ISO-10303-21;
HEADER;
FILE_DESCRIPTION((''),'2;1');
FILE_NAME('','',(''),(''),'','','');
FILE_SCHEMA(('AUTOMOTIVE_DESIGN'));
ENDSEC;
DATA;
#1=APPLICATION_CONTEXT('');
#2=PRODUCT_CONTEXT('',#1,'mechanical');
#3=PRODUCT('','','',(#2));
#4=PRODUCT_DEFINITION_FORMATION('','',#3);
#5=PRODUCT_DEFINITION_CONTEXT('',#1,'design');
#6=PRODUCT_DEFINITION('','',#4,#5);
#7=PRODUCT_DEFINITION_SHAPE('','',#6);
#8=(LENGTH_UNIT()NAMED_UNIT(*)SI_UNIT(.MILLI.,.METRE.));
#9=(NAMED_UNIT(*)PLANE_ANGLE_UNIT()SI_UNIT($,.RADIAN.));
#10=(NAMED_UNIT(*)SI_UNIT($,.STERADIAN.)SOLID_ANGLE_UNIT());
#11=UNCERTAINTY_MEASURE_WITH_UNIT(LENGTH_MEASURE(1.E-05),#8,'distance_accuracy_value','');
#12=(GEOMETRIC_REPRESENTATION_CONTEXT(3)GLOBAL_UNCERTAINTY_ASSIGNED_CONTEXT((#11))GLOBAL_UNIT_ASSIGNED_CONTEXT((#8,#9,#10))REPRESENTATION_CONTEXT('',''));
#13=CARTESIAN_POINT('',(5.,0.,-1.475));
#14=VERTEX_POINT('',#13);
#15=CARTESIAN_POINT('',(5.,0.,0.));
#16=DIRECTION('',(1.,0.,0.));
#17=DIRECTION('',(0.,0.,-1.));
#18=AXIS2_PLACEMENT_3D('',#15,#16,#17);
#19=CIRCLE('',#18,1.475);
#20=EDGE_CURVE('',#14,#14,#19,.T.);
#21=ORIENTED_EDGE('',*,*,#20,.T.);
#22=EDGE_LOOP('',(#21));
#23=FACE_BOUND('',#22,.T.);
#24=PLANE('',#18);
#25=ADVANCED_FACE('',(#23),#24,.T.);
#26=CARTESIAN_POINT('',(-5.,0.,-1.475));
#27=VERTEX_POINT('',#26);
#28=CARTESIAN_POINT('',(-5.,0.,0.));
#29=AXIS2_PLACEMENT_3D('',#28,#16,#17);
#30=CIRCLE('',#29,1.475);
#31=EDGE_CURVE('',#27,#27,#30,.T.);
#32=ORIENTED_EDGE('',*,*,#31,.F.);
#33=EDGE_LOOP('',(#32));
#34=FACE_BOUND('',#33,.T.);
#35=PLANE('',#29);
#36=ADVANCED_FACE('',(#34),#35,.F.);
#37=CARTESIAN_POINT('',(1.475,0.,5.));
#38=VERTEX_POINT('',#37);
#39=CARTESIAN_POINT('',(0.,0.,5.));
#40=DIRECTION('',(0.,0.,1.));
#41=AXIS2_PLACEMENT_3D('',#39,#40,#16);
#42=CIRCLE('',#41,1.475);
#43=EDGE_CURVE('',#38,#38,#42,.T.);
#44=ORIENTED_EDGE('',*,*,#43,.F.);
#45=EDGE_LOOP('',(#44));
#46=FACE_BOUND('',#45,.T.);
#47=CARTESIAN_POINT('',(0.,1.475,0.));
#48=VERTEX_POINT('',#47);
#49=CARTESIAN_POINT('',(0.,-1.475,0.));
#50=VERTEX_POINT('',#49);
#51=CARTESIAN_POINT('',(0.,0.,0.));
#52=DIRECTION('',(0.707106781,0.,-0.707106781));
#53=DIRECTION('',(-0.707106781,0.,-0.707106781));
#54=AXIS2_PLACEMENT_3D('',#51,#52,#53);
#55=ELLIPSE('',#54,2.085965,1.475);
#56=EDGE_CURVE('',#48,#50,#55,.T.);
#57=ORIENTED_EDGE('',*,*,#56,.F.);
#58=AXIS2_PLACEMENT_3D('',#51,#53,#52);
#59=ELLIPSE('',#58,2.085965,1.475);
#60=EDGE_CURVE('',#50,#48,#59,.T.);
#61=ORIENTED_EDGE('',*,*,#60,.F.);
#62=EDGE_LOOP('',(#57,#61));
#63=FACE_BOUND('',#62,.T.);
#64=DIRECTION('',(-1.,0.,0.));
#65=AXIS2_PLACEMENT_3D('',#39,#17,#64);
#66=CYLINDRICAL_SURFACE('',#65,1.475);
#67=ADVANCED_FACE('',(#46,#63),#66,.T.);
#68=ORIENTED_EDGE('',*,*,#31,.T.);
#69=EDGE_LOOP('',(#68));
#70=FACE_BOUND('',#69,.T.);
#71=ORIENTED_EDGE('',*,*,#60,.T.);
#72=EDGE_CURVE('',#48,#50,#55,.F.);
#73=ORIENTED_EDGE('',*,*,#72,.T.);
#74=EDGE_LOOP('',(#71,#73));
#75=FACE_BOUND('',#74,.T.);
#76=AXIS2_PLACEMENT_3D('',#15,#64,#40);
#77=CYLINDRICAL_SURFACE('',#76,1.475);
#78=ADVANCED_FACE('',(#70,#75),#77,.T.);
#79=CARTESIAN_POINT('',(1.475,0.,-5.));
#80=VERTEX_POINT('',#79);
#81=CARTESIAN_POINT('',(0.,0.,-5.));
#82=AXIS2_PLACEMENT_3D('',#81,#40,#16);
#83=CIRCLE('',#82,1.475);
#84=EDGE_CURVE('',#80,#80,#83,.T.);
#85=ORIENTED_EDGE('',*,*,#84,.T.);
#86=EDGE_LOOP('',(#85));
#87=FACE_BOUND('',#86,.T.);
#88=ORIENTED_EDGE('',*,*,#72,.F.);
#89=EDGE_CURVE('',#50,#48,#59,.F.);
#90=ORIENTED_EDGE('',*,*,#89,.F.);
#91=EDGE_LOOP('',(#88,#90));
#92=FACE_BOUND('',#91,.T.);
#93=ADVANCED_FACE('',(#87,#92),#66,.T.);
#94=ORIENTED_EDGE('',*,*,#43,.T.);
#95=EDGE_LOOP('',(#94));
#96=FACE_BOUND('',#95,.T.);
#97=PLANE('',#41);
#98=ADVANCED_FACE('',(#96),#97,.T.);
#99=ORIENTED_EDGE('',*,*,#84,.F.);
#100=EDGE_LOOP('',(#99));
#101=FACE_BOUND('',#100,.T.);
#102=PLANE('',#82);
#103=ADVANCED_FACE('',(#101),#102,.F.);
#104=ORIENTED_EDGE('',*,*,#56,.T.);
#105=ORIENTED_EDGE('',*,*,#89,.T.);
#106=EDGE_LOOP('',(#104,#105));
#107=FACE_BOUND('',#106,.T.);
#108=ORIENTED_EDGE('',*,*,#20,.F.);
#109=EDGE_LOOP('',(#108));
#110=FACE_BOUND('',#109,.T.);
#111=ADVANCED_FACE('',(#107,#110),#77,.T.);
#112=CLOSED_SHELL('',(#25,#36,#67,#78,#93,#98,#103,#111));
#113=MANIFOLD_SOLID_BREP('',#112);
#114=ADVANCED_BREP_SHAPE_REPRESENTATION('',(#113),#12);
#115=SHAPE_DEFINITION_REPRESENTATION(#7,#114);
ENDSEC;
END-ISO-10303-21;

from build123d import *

# Parameters (mm, degrees)
SKETCH1_R           = 1.475
BOSS_EXTRUDE1_DEPTH = 5
SKETCH2_R           = 1.475
BOSS_EXTRUDE2_DEPTH = 5


with BuildPart() as part:
    # Sketch1 → Boss-Extrude1 (new body, symmetric)
    with BuildSketch(Plane.XY):
        Circle(SKETCH1_R)
    extrude(amount=BOSS_EXTRUDE1_DEPTH, both=True)

    # Sketch2 → Boss-Extrude2 (add, symmetric)
    with BuildSketch(Plane(origin=(0, 0, 0), x_dir=(0, 0, -1), z_dir=(1, 0, 0))):
        Circle(SKETCH2_R)
    extrude(amount=BOSS_EXTRUDE2_DEPTH, both=True)


solid = part.part
